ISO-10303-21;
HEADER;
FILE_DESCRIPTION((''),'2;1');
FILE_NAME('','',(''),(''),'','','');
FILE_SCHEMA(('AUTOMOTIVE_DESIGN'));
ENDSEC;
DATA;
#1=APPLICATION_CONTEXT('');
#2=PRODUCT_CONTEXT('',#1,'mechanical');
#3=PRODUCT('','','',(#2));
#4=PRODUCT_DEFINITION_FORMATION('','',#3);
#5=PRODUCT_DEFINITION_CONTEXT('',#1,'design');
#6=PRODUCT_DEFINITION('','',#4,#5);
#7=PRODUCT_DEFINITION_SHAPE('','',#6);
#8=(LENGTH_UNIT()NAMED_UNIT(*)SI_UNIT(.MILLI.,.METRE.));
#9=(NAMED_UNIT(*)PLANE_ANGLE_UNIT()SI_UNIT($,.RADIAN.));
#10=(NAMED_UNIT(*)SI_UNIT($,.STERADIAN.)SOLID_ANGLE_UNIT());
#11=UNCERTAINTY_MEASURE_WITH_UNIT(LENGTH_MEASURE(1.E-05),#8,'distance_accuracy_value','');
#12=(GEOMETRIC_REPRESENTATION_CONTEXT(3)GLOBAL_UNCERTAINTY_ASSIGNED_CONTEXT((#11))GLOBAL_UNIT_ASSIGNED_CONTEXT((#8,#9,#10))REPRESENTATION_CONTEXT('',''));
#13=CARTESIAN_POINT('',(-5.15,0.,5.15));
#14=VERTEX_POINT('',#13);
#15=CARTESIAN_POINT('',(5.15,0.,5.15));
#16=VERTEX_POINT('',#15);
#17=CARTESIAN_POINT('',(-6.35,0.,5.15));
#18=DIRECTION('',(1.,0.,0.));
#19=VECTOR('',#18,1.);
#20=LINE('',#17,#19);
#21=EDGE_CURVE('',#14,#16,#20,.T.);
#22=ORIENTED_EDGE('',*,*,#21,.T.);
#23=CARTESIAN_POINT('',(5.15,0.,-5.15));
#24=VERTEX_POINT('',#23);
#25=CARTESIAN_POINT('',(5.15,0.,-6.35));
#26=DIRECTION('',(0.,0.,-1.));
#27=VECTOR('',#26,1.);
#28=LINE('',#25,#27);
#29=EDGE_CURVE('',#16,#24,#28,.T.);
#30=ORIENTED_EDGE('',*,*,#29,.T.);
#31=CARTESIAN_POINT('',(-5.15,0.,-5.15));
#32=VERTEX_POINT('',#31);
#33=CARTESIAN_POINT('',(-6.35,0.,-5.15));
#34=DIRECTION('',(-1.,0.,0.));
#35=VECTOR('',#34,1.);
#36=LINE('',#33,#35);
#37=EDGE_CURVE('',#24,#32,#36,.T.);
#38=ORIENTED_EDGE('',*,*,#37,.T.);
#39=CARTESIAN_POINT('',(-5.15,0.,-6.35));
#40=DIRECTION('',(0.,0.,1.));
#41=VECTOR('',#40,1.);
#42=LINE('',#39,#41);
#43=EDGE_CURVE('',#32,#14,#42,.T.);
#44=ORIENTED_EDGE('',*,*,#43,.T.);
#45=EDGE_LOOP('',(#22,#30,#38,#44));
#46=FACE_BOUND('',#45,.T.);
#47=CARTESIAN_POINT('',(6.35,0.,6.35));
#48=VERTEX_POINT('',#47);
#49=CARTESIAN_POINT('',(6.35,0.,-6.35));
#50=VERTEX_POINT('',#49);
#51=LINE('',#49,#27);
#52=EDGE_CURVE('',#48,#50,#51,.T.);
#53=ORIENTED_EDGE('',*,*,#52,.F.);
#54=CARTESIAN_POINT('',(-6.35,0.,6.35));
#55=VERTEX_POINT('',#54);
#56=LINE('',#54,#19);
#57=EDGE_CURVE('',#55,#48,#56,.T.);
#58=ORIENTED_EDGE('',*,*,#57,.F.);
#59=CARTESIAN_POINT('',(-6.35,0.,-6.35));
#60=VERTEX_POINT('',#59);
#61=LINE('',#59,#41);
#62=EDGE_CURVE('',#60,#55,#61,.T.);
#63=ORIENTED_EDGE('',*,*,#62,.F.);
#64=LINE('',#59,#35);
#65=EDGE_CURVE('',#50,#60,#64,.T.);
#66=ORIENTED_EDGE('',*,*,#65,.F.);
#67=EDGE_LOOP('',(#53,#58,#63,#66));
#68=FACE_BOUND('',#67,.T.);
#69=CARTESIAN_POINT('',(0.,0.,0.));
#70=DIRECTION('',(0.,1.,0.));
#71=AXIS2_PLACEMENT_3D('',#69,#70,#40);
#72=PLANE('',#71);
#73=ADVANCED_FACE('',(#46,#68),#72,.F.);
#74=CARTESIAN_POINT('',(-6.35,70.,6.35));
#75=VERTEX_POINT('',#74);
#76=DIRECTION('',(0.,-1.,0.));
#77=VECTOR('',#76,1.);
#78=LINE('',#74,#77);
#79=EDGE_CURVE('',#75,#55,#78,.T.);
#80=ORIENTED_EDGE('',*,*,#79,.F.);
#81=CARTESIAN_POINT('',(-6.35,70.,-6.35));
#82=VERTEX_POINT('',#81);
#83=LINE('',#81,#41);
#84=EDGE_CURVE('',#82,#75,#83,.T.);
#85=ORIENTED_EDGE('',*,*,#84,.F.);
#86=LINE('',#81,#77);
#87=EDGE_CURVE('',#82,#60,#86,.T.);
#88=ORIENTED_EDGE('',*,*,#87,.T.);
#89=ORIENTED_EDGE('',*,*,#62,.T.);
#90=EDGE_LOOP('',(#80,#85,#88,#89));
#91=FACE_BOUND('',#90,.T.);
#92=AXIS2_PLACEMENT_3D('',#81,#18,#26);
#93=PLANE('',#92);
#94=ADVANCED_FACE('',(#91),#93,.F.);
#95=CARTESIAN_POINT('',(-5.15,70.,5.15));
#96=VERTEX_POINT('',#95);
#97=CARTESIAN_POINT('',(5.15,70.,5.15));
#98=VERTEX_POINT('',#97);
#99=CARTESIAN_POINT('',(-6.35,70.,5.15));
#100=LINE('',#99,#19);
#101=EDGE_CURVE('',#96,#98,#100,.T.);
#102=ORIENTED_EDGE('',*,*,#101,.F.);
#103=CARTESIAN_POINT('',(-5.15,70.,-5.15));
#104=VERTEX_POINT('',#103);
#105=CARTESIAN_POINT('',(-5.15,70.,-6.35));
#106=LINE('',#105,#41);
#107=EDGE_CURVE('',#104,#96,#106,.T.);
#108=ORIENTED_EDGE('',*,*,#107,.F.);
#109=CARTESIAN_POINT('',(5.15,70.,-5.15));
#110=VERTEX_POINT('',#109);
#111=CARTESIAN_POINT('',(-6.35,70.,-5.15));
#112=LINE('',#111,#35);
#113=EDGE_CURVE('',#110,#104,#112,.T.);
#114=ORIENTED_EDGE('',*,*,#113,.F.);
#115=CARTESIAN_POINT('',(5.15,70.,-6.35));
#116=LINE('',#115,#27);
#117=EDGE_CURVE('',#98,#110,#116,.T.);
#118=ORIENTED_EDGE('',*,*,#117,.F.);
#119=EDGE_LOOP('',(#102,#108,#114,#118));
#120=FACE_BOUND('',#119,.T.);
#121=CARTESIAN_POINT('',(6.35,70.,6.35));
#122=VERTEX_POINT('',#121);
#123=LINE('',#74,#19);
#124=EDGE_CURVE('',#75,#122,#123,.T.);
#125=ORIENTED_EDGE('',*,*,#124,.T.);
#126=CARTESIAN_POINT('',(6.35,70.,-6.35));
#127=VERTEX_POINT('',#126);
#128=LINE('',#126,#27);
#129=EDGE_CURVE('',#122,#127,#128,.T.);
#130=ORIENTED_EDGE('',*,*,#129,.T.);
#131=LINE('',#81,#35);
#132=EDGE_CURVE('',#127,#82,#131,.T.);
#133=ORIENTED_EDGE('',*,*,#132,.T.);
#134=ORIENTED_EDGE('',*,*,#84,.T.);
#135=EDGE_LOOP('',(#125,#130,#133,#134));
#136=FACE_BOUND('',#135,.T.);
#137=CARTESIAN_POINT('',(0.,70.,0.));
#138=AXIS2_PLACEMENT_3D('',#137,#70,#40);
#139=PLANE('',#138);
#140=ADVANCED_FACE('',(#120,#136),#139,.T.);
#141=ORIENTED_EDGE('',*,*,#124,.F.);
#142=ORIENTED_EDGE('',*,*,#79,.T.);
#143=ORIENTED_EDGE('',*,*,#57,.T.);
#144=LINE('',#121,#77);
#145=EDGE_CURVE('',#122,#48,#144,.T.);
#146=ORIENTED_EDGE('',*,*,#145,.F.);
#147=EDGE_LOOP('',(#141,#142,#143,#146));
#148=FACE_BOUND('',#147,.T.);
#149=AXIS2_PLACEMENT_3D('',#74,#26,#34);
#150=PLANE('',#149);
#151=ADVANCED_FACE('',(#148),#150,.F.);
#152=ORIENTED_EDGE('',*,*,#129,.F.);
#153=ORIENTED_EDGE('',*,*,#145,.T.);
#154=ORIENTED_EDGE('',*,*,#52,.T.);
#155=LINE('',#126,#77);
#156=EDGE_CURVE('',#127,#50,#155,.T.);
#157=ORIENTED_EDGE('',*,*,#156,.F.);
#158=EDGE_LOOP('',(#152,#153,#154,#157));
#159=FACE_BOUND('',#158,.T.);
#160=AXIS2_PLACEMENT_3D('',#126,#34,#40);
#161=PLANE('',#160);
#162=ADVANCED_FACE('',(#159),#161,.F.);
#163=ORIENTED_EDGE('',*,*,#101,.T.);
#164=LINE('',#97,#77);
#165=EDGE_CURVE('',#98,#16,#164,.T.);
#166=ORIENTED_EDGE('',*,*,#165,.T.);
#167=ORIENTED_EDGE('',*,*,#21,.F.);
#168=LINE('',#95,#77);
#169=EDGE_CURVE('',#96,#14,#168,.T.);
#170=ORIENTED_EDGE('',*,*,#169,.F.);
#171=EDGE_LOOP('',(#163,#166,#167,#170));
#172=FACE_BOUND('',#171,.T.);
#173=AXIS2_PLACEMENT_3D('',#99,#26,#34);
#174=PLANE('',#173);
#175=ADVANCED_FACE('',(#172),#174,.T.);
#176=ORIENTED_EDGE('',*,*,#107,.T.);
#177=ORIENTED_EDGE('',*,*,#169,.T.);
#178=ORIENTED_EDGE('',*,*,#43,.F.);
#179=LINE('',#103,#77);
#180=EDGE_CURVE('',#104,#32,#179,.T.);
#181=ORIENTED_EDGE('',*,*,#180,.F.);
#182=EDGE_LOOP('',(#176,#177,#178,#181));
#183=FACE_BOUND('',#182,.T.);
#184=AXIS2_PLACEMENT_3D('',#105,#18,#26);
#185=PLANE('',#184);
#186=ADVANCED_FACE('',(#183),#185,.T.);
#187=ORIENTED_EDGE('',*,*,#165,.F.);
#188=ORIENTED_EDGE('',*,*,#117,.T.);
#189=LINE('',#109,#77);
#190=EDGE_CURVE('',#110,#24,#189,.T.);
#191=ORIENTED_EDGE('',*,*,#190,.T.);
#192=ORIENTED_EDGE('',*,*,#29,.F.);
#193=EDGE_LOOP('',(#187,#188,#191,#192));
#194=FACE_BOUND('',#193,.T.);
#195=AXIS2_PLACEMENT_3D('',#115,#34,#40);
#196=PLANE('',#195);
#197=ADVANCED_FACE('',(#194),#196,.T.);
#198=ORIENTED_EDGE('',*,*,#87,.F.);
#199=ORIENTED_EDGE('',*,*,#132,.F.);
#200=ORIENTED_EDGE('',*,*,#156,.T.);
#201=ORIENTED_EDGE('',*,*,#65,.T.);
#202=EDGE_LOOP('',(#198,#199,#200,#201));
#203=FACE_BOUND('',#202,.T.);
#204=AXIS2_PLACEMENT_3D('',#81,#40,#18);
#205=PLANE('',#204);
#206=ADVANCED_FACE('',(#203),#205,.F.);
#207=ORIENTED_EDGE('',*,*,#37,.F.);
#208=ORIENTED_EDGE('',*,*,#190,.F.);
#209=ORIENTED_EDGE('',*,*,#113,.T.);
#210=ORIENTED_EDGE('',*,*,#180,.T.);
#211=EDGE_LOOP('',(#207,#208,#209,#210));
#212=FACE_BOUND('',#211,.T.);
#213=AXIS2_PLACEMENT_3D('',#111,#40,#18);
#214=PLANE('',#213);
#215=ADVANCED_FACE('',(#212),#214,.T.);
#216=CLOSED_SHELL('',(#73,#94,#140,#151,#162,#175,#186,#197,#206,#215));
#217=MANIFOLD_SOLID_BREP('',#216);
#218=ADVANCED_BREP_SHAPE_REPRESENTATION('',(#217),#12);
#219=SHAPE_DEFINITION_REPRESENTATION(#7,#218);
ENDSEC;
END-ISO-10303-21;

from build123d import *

# Parameters (mm, degrees)
CROQUIS1_W            = 12.7
CROQUIS1_H            = 12.7
CROQUIS1_W_2          = 10.3
CROQUIS1_H_2          = 10.3
EXTRUIR_L_MINA1_DEPTH = 70


with BuildPart() as part:
    # Croquis1 → Extruir-Lámina1 (new body)
    with BuildSketch(Plane(origin=(0, 0, 0), x_dir=(1, 0, 0), z_dir=(0, 1, 0))):
        Rectangle(CROQUIS1_W, CROQUIS1_H)
        Rectangle(CROQUIS1_W_2, CROQUIS1_H_2, mode=Mode.SUBTRACT)
    extrude(amount=EXTRUIR_L_MINA1_DEPTH)


solid = part.part
